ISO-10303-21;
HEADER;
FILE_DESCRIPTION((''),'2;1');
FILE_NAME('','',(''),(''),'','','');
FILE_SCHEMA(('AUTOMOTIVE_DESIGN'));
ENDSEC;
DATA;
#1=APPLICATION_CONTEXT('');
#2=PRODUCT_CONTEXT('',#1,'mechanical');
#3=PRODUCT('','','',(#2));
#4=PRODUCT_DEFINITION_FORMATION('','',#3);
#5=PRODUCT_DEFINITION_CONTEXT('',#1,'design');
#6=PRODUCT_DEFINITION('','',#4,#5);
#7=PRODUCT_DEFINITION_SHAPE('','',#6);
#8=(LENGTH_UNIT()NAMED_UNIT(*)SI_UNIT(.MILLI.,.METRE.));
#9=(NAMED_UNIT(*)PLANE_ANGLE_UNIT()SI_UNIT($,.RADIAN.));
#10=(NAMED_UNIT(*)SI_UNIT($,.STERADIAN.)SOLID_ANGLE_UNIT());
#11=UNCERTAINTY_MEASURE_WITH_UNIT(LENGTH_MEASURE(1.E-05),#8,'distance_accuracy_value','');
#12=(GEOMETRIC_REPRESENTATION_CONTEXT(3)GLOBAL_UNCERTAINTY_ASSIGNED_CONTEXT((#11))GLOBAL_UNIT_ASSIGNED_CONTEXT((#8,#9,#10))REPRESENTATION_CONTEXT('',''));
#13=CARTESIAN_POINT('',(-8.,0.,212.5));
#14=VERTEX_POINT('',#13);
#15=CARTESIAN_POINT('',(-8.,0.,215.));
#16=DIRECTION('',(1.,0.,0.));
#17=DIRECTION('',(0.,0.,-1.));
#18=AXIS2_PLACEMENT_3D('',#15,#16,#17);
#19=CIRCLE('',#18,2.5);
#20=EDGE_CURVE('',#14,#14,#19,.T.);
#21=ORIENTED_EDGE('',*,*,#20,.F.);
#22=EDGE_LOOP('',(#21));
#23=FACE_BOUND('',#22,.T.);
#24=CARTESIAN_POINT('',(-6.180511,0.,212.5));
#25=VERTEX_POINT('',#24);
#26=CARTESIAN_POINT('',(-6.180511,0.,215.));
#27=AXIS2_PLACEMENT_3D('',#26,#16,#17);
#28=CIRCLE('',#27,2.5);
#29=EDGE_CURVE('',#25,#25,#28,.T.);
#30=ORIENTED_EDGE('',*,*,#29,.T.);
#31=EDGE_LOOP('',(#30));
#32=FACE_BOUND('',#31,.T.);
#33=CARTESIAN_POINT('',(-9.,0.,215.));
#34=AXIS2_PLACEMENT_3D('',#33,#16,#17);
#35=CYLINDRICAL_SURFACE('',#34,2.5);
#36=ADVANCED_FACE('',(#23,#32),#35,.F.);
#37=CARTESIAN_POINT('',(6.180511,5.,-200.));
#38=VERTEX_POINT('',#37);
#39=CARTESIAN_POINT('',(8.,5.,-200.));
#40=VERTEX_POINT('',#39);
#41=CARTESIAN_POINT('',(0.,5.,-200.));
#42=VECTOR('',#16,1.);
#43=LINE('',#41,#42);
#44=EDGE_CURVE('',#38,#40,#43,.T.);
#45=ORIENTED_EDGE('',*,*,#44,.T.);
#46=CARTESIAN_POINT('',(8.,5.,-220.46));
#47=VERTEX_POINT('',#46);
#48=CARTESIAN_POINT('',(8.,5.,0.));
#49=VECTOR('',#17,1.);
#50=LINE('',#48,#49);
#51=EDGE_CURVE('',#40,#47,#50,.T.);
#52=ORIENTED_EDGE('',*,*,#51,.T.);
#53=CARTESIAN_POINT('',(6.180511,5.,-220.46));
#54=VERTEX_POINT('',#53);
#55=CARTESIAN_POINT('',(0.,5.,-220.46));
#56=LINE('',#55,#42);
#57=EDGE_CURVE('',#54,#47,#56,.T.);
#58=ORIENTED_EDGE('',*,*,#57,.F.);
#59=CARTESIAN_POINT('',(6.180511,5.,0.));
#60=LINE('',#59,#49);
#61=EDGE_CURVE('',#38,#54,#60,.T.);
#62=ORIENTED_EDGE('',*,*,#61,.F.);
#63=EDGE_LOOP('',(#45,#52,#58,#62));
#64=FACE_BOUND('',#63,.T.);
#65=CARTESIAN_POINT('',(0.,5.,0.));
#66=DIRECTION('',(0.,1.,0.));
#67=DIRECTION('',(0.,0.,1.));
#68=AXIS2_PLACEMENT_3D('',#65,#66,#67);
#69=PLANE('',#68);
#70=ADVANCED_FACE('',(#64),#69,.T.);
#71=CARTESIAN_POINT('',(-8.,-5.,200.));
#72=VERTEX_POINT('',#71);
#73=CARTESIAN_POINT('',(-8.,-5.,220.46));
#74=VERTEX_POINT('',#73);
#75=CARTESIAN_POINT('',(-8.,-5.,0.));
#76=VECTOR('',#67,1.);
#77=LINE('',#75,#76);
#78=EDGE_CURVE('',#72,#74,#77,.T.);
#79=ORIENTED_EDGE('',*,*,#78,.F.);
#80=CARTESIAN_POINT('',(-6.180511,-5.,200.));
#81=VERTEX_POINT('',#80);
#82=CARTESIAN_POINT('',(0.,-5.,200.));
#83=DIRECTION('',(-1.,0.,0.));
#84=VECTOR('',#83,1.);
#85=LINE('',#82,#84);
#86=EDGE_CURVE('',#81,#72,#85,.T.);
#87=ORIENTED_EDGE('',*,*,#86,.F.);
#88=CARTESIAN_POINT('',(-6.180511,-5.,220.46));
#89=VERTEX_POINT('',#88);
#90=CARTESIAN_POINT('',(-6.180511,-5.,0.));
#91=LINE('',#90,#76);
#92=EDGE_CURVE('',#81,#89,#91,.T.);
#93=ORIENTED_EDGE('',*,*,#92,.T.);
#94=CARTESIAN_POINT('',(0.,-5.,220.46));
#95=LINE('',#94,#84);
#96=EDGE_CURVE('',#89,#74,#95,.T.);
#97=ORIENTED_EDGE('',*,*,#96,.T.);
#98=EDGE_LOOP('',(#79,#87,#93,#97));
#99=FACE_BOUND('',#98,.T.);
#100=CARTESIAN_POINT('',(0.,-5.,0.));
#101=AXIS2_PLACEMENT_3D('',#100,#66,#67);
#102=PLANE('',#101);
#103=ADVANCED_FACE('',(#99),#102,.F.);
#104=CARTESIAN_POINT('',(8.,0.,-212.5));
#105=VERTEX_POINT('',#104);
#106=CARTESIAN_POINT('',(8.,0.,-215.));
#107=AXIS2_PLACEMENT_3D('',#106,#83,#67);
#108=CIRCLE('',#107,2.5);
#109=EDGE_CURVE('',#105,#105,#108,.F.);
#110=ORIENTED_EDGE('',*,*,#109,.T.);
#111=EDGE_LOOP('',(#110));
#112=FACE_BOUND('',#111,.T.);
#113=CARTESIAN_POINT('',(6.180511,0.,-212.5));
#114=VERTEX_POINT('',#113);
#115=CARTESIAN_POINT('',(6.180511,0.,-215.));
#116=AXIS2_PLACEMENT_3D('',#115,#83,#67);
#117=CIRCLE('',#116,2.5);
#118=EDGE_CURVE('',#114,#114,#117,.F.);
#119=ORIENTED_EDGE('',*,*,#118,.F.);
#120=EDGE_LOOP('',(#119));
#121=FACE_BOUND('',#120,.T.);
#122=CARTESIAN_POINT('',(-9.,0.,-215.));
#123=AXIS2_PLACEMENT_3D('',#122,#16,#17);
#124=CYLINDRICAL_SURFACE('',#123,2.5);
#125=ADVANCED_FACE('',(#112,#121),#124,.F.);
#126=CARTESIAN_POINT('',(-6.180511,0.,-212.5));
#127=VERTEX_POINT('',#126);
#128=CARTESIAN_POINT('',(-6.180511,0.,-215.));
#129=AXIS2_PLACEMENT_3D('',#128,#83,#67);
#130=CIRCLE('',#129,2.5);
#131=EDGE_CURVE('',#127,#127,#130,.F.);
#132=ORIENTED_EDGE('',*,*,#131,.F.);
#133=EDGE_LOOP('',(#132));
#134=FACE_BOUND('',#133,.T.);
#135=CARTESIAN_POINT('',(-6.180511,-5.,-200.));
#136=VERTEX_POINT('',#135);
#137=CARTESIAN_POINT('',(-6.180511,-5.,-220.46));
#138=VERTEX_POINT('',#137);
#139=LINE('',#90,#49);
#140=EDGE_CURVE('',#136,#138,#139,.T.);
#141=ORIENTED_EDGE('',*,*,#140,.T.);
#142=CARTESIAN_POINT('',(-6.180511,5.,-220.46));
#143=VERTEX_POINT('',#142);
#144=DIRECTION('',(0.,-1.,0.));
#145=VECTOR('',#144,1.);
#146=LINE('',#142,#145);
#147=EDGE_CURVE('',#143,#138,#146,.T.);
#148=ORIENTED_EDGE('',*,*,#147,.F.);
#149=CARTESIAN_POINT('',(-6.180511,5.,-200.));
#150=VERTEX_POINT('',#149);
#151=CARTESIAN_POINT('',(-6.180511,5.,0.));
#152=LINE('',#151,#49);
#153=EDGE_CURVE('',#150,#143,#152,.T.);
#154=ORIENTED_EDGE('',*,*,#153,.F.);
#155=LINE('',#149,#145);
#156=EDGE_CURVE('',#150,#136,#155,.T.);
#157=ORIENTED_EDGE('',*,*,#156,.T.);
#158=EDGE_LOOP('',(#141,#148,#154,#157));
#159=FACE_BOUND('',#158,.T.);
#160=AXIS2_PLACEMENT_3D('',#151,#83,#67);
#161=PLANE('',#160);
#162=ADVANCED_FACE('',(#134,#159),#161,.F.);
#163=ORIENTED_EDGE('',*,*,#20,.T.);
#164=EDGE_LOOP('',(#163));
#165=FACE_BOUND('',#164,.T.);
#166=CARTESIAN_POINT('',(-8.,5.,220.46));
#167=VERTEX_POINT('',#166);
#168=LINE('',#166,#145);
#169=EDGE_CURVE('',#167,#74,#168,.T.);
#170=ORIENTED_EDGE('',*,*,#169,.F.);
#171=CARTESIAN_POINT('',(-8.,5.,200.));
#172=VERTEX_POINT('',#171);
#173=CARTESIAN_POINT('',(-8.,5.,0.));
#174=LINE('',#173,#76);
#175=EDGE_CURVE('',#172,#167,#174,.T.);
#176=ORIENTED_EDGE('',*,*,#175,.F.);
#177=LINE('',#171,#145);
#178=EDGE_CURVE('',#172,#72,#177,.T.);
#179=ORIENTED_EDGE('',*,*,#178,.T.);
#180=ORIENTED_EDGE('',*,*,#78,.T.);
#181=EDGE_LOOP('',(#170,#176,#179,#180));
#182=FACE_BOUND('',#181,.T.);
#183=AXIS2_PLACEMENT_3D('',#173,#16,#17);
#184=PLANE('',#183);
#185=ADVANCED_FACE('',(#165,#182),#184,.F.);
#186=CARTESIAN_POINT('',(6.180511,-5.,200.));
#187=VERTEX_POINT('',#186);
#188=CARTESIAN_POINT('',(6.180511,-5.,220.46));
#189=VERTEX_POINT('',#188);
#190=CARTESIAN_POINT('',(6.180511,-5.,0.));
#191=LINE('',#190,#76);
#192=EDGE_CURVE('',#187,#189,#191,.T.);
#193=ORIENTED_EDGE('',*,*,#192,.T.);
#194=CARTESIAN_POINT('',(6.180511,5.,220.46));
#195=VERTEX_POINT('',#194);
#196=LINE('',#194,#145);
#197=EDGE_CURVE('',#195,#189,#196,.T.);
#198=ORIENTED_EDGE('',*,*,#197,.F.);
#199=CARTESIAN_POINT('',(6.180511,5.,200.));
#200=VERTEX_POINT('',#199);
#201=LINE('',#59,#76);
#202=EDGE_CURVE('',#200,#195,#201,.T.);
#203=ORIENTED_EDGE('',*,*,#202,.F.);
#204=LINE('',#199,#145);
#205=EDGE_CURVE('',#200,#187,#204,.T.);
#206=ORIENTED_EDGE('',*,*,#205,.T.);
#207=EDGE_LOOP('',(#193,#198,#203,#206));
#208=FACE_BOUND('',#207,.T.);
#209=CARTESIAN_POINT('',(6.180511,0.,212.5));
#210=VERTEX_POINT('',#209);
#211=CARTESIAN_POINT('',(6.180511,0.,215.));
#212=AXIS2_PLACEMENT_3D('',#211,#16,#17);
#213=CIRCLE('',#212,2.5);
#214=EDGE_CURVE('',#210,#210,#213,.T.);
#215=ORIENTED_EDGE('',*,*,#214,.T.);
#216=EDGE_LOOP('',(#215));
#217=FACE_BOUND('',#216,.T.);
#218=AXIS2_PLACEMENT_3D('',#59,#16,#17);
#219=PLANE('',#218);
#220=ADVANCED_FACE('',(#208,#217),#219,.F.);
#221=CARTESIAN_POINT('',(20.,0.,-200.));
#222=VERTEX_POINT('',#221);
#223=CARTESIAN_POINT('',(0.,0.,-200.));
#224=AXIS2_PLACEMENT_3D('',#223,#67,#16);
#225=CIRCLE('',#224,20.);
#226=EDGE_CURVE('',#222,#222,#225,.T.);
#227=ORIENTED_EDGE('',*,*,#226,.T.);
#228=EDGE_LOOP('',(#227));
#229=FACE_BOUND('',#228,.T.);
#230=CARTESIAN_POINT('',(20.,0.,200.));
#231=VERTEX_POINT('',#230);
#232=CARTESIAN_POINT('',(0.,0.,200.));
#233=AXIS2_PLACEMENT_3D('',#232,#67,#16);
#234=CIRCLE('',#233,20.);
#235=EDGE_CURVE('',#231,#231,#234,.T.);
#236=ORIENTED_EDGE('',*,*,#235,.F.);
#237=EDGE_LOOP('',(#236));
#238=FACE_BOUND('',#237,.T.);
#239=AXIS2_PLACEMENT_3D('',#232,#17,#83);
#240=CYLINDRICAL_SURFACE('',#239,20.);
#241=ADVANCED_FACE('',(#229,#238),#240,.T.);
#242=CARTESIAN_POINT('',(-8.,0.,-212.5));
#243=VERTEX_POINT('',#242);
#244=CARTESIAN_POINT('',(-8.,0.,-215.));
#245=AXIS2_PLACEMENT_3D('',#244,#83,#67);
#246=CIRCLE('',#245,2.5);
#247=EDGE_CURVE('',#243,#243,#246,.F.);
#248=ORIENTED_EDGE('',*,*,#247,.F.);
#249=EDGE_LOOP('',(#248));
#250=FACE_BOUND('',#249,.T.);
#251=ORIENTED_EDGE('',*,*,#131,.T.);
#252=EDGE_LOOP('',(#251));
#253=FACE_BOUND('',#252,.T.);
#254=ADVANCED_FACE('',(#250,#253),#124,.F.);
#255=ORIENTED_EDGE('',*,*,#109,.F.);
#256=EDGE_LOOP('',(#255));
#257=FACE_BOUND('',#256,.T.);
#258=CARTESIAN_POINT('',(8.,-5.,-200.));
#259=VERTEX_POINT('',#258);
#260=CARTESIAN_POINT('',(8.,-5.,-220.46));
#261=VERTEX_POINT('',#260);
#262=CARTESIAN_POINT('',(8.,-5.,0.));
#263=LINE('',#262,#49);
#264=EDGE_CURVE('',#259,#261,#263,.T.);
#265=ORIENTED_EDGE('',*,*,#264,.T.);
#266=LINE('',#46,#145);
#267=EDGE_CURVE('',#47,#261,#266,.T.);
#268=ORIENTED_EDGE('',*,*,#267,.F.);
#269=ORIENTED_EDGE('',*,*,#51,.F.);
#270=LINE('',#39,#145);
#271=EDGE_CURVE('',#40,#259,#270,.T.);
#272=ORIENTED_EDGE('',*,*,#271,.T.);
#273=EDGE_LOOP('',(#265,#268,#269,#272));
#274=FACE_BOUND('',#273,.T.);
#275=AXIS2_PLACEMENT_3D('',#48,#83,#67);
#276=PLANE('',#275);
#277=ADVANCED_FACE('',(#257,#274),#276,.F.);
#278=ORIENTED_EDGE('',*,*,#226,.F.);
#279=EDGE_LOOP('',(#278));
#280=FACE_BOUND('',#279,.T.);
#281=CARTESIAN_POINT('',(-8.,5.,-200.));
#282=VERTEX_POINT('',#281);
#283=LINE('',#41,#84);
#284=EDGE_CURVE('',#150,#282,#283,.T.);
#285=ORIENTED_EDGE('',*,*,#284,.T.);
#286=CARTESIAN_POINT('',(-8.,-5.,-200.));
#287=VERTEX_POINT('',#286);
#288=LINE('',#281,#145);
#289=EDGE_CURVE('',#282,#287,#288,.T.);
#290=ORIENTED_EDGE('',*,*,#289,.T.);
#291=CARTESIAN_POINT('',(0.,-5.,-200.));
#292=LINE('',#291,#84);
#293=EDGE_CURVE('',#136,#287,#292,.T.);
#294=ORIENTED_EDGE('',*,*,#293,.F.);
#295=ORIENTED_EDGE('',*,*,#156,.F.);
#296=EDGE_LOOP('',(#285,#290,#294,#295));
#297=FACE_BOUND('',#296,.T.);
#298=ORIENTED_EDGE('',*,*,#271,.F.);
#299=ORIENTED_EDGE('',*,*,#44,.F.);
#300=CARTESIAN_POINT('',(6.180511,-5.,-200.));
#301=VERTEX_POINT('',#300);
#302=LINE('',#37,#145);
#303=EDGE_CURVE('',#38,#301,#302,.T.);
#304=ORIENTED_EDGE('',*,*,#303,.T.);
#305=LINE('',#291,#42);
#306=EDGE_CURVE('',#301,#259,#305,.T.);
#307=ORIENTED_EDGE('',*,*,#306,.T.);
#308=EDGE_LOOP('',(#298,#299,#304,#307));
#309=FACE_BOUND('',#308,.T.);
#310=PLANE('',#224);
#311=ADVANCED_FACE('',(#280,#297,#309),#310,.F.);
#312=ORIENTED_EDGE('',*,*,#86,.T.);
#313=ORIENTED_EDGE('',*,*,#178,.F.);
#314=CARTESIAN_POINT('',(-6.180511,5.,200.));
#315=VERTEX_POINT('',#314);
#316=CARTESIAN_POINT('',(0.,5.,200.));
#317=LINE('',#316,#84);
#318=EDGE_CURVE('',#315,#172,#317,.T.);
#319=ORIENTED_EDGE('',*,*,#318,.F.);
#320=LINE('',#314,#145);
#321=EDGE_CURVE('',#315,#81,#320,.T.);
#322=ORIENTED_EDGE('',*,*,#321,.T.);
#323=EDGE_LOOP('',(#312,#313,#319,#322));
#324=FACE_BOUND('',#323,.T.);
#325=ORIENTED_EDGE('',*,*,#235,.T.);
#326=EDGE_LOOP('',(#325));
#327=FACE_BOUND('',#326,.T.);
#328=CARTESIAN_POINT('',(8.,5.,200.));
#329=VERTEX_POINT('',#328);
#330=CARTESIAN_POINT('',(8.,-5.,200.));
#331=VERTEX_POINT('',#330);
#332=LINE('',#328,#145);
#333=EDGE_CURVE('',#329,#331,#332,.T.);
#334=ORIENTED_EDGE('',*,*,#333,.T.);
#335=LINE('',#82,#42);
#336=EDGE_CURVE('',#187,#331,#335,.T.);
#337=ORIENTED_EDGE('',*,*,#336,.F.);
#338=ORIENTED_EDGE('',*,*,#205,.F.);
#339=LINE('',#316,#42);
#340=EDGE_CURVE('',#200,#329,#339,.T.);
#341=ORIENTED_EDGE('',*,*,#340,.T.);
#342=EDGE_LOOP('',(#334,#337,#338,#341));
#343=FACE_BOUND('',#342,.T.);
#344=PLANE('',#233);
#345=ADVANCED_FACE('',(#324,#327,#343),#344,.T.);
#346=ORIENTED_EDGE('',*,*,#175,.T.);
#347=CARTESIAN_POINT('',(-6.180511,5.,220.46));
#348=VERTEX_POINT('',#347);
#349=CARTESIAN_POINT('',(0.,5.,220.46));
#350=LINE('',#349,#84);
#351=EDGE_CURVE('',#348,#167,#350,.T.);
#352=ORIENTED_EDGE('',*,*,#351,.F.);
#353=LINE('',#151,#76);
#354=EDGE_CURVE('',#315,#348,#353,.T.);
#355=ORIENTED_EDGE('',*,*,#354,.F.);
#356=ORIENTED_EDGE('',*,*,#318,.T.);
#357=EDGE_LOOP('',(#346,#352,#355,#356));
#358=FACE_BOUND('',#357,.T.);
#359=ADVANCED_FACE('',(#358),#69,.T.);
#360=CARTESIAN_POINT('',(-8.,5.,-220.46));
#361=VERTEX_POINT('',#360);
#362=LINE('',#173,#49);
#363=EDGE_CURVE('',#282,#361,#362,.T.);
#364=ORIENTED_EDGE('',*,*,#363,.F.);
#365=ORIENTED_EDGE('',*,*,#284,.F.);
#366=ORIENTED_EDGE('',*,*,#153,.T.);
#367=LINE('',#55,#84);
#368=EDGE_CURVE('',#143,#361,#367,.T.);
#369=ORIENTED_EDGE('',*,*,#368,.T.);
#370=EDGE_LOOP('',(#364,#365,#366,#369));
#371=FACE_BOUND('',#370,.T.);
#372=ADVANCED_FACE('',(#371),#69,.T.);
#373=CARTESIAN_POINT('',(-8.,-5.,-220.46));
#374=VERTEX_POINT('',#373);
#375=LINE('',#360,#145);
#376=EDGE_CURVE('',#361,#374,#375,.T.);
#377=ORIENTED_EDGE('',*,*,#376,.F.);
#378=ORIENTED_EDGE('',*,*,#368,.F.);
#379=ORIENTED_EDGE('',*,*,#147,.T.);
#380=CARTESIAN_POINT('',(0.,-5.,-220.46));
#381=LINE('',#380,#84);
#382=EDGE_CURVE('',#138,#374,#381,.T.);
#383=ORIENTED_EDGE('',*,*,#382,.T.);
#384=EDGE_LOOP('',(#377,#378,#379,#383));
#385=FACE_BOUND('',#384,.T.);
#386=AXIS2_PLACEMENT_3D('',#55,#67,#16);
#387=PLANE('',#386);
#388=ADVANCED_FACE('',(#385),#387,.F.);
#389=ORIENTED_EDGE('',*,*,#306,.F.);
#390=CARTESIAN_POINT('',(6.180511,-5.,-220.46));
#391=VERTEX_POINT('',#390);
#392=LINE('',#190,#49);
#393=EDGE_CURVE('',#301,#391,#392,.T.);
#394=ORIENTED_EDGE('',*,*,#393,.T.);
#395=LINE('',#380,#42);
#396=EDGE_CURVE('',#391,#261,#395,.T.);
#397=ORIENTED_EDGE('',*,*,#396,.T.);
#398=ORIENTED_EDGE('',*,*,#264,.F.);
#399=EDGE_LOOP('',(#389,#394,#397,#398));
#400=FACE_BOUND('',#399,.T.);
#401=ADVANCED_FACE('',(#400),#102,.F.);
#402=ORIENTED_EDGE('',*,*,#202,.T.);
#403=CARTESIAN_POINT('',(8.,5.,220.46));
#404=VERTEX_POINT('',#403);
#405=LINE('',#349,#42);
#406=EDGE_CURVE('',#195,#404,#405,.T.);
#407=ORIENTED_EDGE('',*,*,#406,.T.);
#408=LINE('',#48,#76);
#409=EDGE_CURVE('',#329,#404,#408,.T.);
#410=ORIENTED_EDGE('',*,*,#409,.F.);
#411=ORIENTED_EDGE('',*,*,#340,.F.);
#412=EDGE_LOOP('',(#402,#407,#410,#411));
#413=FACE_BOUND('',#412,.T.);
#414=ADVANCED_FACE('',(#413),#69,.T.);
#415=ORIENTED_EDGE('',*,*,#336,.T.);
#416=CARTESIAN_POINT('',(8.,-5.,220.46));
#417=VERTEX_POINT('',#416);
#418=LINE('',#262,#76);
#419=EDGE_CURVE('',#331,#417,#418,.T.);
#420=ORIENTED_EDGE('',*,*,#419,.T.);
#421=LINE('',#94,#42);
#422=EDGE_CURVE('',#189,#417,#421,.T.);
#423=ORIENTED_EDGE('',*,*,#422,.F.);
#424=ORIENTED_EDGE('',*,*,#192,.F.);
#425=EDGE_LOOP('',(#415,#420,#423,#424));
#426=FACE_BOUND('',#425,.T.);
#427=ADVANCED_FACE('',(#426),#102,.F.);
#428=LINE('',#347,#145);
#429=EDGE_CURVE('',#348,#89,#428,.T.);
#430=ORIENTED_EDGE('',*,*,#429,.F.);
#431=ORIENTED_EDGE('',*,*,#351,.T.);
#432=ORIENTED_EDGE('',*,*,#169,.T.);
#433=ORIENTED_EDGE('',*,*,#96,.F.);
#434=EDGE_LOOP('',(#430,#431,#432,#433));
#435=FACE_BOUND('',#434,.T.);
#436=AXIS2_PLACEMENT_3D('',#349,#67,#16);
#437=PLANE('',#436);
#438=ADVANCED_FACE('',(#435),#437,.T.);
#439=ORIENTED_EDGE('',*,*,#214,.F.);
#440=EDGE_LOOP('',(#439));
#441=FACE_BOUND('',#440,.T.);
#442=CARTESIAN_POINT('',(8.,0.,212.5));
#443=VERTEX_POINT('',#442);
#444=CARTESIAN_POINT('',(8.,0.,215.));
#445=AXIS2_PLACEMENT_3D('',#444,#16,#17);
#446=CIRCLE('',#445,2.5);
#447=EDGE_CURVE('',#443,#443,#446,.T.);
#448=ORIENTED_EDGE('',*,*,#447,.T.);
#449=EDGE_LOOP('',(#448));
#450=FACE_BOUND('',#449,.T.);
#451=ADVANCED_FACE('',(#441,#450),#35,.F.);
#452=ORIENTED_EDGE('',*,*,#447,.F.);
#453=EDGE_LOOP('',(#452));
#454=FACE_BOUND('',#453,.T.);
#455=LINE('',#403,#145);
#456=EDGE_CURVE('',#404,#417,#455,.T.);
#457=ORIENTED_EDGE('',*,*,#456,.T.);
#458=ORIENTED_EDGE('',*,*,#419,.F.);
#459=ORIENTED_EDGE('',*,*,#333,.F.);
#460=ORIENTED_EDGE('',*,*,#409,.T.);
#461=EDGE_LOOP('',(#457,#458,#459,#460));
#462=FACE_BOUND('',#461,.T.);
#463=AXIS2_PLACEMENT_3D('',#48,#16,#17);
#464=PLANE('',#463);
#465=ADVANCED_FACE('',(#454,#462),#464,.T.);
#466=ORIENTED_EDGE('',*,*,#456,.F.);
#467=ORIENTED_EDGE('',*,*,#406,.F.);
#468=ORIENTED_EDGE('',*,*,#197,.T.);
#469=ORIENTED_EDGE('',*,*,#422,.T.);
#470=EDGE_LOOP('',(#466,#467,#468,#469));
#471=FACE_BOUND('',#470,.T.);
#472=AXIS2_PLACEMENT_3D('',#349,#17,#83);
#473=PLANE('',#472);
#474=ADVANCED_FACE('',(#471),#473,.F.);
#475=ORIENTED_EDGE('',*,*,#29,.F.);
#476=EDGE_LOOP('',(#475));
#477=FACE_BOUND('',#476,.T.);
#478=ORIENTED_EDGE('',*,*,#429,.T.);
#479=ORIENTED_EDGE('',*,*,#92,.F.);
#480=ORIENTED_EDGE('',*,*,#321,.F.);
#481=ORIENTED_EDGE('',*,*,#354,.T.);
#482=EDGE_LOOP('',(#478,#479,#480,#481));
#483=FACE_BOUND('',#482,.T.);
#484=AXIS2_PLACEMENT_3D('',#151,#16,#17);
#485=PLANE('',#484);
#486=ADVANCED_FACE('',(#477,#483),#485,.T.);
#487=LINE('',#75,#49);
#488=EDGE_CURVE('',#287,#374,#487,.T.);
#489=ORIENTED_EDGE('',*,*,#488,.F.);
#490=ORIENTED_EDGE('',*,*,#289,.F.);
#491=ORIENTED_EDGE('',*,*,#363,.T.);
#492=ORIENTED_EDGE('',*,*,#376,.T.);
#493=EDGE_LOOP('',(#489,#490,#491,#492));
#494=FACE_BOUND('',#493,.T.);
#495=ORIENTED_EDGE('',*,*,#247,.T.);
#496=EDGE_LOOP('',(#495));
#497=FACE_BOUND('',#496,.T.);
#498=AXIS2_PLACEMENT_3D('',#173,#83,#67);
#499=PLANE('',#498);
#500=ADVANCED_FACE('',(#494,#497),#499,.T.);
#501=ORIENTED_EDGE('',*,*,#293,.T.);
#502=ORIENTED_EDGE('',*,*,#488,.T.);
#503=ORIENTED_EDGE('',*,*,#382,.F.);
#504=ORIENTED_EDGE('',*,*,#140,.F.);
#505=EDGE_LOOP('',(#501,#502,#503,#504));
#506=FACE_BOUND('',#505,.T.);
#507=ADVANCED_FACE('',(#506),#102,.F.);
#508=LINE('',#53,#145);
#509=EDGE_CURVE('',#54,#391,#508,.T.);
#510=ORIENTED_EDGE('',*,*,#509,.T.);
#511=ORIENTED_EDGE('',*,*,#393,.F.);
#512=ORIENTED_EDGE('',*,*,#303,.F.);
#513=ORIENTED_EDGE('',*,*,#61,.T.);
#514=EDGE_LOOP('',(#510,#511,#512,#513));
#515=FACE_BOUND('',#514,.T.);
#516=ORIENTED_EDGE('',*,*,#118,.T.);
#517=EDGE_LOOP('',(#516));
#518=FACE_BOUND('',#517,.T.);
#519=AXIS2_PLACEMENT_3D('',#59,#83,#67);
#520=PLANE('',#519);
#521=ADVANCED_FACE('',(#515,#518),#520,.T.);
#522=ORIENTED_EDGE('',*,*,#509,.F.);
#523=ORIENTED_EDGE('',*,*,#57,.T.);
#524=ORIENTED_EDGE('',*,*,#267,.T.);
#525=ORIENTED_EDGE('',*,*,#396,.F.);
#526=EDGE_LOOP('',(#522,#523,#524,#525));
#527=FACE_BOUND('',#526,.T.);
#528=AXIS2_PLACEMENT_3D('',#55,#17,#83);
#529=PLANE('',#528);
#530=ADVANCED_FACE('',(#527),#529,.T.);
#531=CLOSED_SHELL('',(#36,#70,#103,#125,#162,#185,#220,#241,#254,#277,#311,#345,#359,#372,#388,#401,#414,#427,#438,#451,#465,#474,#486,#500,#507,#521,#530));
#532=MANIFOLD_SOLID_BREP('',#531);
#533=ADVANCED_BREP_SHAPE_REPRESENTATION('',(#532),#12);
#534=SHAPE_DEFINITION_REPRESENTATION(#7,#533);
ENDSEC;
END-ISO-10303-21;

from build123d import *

# Parameters (mm, degrees)
SKETCH1_R           = 20
BOSS_EXTRUDE1_DEPTH = 200
SKETCH2_W           = 1.819488692
SKETCH2_H           = 20.46
BOSS_EXTRUDE2_DEPTH = 5
SKETCH3_R           = 2.5
CUT_EXTRUDE1_DEPTH  = 9


with BuildPart() as part:
    # Sketch1 → Boss-Extrude1 (new, symmetric)
    with BuildSketch(Plane.XY):
        Circle(SKETCH1_R)
    extrude(amount=BOSS_EXTRUDE1_DEPTH, both=True)

    # Sketch2 → Boss-Extrude2 (add, symmetric)
    with BuildSketch(Plane(origin=(0, 0, 0), x_dir=(1, 0, 0), z_dir=(0, 1, 0))):
        with Locations((7.090255654, -210.23)):
            Rectangle(SKETCH2_W, SKETCH2_H)
        with Locations((-7.090255654, -210.23)):
            Rectangle(SKETCH2_W, SKETCH2_H)
        with Locations((7.090255654, 210.23)):
            Rectangle(SKETCH2_W, SKETCH2_H)
        with Locations((-7.090255654, 210.23)):
            Rectangle(SKETCH2_W, SKETCH2_H)
    extrude(amount=BOSS_EXTRUDE2_DEPTH, both=True)

    # Sketch3 → Cut-Extrude1 (cut, symmetric)
    with BuildSketch(Plane(origin=(0, 0, 0), x_dir=(0, 0, -1), z_dir=(1, 0, 0))):
        with Locations((-215, 0)):
            Circle(SKETCH3_R)
        with Locations(Location((215, 0, 0), (0, 0, 180))):
            Circle(SKETCH3_R)
    extrude(amount=CUT_EXTRUDE1_DEPTH, both=True, mode=Mode.SUBTRACT)


solid = part.part
